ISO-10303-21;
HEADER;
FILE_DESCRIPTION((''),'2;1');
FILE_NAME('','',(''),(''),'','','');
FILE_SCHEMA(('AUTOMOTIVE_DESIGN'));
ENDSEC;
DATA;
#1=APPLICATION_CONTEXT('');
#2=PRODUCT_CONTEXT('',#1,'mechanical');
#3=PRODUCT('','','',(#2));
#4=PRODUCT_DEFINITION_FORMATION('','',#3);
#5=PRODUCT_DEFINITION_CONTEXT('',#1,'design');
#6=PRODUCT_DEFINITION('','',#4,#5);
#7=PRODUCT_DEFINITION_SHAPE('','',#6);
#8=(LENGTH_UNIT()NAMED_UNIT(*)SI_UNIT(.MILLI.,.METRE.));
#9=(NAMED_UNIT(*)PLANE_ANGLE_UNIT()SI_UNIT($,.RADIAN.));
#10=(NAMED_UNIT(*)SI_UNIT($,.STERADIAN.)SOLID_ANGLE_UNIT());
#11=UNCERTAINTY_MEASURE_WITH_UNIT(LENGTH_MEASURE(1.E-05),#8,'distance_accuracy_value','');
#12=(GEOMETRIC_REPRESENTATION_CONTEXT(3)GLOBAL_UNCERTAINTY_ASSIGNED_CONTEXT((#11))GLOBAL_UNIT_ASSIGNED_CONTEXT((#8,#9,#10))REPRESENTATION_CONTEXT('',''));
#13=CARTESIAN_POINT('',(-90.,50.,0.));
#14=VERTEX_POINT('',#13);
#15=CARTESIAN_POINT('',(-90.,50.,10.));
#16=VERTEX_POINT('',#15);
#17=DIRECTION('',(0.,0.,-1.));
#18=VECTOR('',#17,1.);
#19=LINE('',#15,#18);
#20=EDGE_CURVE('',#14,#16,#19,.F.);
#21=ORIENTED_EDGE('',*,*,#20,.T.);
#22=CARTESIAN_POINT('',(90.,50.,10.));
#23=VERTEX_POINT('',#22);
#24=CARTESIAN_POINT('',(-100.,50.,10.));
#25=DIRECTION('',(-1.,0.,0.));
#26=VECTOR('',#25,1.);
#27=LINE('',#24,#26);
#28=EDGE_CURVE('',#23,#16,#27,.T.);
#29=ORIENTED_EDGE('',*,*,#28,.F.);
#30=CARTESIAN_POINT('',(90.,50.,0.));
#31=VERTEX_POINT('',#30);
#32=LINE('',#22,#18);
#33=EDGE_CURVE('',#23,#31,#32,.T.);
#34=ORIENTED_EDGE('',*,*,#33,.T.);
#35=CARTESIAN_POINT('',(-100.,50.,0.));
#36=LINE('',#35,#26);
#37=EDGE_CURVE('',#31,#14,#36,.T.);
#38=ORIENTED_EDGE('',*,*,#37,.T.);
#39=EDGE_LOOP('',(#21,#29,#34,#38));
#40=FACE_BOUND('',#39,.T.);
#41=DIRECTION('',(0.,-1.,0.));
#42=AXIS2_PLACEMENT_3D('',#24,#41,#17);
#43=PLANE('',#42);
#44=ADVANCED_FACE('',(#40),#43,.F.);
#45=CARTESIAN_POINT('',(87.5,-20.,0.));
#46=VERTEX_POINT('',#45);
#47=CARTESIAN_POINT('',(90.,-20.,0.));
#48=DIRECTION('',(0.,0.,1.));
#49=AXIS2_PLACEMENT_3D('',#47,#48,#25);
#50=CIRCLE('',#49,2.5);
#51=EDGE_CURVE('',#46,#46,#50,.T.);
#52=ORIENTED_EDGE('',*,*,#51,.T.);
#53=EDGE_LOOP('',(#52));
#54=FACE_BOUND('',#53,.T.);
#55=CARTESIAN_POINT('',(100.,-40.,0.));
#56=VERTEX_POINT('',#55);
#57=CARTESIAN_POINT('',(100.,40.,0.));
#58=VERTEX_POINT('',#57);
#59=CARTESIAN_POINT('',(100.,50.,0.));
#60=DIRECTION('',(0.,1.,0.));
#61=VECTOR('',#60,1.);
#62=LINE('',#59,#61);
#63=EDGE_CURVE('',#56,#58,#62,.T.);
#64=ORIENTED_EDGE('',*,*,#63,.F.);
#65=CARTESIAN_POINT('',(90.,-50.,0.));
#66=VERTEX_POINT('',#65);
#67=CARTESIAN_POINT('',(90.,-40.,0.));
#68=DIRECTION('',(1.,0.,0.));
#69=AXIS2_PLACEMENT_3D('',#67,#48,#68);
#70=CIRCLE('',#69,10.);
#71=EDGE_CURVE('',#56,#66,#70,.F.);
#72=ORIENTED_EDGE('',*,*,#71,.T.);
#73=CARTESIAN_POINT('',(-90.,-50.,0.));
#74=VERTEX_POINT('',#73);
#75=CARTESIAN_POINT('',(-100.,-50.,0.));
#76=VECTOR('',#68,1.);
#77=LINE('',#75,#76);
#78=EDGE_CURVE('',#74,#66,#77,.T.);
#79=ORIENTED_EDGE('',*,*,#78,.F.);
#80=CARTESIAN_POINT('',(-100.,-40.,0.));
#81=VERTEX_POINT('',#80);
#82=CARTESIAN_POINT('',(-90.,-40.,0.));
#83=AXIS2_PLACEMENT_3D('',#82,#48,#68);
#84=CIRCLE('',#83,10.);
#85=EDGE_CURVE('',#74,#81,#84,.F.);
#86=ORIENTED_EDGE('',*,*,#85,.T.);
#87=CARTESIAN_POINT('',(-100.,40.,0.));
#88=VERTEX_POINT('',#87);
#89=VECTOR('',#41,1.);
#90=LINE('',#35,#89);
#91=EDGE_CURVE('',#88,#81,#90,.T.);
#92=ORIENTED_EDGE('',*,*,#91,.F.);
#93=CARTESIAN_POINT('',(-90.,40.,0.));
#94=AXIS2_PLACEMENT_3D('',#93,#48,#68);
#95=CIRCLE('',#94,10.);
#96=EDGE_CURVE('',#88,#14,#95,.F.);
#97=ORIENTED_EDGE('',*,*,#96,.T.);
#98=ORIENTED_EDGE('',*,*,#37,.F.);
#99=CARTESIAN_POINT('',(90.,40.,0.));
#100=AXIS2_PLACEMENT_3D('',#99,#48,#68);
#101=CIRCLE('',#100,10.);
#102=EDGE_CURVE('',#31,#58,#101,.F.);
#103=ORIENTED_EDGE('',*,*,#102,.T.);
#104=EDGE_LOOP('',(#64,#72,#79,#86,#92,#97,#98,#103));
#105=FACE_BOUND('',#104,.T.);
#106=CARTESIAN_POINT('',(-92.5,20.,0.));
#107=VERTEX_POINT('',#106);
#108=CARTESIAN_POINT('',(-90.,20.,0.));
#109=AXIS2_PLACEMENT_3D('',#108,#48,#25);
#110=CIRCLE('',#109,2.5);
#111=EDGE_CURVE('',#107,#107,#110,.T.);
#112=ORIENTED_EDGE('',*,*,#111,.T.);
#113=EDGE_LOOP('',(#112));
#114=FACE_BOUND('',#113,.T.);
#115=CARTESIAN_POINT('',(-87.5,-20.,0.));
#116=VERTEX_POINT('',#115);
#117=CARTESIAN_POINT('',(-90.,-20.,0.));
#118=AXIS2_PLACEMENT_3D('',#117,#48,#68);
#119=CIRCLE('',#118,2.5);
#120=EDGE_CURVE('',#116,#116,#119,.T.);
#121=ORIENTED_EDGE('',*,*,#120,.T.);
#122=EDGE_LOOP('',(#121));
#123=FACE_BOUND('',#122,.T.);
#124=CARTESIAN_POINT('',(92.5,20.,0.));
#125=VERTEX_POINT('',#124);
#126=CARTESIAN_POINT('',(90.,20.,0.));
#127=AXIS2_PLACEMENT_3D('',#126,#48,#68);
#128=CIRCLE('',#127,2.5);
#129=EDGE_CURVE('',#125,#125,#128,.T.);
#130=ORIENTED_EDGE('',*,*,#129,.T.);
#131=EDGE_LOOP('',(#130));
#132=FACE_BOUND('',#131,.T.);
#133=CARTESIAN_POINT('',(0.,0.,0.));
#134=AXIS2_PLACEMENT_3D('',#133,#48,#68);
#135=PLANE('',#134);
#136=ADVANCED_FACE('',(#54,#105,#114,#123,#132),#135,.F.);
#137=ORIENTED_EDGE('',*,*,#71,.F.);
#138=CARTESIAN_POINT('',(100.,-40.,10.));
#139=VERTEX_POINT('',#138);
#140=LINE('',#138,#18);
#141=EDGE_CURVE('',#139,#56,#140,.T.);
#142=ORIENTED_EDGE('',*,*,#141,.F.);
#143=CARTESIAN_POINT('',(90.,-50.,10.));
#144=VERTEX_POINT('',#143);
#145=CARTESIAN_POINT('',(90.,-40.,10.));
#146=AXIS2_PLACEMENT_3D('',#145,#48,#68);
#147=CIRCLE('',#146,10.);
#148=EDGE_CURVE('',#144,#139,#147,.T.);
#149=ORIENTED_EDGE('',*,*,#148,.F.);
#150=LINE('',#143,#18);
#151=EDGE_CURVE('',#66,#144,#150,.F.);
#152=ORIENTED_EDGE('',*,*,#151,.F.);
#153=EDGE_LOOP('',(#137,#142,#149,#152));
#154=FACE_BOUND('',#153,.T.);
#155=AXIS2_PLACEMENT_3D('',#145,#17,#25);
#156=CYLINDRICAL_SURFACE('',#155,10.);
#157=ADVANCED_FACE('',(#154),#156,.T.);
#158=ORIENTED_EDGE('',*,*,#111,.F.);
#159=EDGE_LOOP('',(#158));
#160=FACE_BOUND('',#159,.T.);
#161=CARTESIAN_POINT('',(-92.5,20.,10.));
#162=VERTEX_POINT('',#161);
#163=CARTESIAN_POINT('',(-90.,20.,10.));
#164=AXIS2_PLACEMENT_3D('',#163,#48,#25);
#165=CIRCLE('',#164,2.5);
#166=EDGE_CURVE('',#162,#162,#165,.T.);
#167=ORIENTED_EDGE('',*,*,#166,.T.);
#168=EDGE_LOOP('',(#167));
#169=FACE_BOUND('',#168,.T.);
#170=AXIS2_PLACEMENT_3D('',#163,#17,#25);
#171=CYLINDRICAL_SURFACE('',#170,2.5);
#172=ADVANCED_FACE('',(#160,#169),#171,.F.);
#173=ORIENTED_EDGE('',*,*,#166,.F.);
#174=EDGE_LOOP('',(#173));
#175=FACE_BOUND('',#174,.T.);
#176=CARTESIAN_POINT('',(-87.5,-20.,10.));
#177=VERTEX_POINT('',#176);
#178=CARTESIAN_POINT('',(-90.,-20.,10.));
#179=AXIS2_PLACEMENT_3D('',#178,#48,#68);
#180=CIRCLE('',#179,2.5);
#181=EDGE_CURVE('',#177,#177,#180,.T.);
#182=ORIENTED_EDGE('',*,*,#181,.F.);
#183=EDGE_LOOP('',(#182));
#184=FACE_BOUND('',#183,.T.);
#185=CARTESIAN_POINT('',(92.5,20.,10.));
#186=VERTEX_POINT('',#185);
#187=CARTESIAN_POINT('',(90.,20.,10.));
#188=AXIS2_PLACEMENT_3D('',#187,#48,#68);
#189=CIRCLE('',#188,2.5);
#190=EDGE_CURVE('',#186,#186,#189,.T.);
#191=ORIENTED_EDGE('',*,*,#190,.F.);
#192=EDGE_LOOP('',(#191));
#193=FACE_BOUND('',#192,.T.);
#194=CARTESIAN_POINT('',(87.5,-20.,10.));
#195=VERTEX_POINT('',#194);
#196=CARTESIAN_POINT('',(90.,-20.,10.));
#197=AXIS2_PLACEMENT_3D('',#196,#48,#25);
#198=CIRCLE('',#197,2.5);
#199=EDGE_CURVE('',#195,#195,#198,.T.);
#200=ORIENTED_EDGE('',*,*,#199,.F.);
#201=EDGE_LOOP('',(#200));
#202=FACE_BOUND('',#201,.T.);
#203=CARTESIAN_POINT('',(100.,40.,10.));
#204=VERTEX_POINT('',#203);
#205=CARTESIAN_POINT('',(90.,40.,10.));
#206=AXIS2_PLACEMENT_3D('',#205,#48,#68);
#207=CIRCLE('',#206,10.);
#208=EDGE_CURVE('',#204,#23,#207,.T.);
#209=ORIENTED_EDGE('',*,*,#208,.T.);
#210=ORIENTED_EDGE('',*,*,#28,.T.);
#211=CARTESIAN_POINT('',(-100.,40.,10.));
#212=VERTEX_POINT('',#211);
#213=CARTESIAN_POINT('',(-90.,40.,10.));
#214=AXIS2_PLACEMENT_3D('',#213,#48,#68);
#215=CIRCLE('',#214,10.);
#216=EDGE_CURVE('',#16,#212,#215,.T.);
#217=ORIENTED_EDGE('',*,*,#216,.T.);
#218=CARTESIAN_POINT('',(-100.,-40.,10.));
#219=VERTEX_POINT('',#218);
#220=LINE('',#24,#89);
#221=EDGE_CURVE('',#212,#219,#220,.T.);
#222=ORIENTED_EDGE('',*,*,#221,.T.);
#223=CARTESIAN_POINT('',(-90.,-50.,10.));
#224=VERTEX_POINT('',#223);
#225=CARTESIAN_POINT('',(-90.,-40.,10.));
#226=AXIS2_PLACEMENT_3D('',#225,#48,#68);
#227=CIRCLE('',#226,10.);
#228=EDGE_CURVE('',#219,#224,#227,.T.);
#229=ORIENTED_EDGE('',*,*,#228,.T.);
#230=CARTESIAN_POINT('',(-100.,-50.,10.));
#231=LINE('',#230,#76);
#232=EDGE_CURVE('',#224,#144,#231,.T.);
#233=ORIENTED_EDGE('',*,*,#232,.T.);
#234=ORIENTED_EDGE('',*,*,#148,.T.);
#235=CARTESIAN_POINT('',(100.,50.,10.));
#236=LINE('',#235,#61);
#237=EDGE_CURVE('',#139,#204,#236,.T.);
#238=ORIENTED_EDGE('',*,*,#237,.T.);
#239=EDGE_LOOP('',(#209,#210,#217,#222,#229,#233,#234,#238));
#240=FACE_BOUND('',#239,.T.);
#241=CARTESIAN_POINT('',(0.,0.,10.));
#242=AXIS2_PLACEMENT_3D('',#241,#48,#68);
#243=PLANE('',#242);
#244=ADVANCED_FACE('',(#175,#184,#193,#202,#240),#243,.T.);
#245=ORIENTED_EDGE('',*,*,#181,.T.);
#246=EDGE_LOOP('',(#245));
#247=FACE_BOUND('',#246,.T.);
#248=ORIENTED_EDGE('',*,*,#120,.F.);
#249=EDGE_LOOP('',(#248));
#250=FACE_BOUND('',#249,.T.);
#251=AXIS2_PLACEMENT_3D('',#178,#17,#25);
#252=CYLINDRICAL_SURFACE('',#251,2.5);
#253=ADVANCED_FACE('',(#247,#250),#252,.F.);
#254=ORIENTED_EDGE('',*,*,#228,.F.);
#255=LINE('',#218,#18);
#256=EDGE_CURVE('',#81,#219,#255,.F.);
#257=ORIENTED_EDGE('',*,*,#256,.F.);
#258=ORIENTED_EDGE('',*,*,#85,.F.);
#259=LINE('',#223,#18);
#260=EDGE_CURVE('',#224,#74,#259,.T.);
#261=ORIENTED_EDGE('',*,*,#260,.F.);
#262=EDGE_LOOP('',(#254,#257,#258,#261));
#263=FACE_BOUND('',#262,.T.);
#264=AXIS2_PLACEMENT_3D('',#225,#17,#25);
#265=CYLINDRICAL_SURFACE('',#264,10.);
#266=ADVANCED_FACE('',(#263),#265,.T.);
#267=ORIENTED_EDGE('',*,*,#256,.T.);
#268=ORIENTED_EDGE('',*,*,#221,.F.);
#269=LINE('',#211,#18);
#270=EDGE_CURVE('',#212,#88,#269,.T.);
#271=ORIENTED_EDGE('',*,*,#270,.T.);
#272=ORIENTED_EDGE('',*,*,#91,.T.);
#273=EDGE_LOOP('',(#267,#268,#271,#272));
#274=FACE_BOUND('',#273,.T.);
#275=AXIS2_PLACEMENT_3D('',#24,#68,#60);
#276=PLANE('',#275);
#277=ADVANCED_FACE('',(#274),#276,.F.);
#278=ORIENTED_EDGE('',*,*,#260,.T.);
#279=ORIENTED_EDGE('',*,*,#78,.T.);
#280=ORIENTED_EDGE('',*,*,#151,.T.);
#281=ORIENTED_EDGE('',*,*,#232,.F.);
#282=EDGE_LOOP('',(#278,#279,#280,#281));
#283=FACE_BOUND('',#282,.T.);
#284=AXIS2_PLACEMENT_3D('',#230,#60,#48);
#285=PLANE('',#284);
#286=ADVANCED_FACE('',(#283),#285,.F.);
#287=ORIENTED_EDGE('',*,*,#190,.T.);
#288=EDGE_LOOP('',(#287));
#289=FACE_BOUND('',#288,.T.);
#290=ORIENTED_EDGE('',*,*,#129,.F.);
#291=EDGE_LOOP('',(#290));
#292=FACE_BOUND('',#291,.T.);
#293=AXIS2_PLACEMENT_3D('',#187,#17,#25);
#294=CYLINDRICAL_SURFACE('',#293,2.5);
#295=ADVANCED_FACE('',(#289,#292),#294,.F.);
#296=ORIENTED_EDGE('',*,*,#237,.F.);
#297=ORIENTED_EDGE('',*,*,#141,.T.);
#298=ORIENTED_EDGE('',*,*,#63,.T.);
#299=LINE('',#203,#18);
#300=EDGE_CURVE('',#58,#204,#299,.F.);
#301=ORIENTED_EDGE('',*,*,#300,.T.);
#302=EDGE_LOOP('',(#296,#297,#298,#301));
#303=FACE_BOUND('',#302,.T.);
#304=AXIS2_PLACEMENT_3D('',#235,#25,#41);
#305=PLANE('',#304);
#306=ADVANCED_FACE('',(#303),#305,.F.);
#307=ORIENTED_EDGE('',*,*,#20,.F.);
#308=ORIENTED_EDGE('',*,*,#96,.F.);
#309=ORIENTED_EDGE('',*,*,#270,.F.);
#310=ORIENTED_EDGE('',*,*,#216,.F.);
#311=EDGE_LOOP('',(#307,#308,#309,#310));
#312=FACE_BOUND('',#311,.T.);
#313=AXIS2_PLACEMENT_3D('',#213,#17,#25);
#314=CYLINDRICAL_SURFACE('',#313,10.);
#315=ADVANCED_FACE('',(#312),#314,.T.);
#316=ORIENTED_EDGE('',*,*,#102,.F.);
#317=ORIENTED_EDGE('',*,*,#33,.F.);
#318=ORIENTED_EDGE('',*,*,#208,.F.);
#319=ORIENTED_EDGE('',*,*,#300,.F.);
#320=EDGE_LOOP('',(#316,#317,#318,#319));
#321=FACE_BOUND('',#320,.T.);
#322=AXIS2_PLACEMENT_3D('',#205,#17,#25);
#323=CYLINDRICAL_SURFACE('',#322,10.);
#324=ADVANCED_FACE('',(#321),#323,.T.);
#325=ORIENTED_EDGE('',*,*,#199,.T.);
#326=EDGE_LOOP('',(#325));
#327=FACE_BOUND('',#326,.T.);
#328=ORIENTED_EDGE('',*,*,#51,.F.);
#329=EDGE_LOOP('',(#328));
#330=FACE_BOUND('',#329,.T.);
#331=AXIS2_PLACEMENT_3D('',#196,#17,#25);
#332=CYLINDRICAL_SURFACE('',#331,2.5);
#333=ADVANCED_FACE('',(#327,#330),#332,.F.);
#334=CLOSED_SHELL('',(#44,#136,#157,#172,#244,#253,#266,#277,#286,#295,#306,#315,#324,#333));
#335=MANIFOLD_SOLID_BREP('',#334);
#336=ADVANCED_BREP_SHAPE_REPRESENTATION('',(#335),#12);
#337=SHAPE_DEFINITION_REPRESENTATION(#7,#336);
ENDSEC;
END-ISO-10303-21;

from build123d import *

# Parameters (mm, degrees)
SKETCH1_W           = 200
SKETCH1_H           = 100
SKETCH1_R           = 2.5
BOSS_EXTRUDE1_DEPTH = 10
FILLET1_R           = 10


with BuildPart() as part:
    # Sketch1 → Boss-Extrude1 (new body)
    with BuildSketch(Plane.XY):
        Rectangle(SKETCH1_W, SKETCH1_H)
        with Locations((90, 20)):
            Circle(SKETCH1_R, mode=Mode.SUBTRACT)
        with Locations(Location((-90, 20, 0), (0, 0, 180))):
            Circle(SKETCH1_R, mode=Mode.SUBTRACT)
        with Locations(Location((90, -20, 0), (0, 0, 180))):
            Circle(SKETCH1_R, mode=Mode.SUBTRACT)
        with Locations((-90, -20)):
            Circle(SKETCH1_R, mode=Mode.SUBTRACT)
    extrude(amount=BOSS_EXTRUDE1_DEPTH)

    # Fillet1
    fillet1_edges = [part.edges().sort_by_distance(p)[0] for p in [
        (100, -50, 5),
        (-100, -50, 5),
        (-100, 50, 5),
        (100, 50, 5),
    ]]
    fillet(fillet1_edges, radius=FILLET1_R)


solid = part.part
